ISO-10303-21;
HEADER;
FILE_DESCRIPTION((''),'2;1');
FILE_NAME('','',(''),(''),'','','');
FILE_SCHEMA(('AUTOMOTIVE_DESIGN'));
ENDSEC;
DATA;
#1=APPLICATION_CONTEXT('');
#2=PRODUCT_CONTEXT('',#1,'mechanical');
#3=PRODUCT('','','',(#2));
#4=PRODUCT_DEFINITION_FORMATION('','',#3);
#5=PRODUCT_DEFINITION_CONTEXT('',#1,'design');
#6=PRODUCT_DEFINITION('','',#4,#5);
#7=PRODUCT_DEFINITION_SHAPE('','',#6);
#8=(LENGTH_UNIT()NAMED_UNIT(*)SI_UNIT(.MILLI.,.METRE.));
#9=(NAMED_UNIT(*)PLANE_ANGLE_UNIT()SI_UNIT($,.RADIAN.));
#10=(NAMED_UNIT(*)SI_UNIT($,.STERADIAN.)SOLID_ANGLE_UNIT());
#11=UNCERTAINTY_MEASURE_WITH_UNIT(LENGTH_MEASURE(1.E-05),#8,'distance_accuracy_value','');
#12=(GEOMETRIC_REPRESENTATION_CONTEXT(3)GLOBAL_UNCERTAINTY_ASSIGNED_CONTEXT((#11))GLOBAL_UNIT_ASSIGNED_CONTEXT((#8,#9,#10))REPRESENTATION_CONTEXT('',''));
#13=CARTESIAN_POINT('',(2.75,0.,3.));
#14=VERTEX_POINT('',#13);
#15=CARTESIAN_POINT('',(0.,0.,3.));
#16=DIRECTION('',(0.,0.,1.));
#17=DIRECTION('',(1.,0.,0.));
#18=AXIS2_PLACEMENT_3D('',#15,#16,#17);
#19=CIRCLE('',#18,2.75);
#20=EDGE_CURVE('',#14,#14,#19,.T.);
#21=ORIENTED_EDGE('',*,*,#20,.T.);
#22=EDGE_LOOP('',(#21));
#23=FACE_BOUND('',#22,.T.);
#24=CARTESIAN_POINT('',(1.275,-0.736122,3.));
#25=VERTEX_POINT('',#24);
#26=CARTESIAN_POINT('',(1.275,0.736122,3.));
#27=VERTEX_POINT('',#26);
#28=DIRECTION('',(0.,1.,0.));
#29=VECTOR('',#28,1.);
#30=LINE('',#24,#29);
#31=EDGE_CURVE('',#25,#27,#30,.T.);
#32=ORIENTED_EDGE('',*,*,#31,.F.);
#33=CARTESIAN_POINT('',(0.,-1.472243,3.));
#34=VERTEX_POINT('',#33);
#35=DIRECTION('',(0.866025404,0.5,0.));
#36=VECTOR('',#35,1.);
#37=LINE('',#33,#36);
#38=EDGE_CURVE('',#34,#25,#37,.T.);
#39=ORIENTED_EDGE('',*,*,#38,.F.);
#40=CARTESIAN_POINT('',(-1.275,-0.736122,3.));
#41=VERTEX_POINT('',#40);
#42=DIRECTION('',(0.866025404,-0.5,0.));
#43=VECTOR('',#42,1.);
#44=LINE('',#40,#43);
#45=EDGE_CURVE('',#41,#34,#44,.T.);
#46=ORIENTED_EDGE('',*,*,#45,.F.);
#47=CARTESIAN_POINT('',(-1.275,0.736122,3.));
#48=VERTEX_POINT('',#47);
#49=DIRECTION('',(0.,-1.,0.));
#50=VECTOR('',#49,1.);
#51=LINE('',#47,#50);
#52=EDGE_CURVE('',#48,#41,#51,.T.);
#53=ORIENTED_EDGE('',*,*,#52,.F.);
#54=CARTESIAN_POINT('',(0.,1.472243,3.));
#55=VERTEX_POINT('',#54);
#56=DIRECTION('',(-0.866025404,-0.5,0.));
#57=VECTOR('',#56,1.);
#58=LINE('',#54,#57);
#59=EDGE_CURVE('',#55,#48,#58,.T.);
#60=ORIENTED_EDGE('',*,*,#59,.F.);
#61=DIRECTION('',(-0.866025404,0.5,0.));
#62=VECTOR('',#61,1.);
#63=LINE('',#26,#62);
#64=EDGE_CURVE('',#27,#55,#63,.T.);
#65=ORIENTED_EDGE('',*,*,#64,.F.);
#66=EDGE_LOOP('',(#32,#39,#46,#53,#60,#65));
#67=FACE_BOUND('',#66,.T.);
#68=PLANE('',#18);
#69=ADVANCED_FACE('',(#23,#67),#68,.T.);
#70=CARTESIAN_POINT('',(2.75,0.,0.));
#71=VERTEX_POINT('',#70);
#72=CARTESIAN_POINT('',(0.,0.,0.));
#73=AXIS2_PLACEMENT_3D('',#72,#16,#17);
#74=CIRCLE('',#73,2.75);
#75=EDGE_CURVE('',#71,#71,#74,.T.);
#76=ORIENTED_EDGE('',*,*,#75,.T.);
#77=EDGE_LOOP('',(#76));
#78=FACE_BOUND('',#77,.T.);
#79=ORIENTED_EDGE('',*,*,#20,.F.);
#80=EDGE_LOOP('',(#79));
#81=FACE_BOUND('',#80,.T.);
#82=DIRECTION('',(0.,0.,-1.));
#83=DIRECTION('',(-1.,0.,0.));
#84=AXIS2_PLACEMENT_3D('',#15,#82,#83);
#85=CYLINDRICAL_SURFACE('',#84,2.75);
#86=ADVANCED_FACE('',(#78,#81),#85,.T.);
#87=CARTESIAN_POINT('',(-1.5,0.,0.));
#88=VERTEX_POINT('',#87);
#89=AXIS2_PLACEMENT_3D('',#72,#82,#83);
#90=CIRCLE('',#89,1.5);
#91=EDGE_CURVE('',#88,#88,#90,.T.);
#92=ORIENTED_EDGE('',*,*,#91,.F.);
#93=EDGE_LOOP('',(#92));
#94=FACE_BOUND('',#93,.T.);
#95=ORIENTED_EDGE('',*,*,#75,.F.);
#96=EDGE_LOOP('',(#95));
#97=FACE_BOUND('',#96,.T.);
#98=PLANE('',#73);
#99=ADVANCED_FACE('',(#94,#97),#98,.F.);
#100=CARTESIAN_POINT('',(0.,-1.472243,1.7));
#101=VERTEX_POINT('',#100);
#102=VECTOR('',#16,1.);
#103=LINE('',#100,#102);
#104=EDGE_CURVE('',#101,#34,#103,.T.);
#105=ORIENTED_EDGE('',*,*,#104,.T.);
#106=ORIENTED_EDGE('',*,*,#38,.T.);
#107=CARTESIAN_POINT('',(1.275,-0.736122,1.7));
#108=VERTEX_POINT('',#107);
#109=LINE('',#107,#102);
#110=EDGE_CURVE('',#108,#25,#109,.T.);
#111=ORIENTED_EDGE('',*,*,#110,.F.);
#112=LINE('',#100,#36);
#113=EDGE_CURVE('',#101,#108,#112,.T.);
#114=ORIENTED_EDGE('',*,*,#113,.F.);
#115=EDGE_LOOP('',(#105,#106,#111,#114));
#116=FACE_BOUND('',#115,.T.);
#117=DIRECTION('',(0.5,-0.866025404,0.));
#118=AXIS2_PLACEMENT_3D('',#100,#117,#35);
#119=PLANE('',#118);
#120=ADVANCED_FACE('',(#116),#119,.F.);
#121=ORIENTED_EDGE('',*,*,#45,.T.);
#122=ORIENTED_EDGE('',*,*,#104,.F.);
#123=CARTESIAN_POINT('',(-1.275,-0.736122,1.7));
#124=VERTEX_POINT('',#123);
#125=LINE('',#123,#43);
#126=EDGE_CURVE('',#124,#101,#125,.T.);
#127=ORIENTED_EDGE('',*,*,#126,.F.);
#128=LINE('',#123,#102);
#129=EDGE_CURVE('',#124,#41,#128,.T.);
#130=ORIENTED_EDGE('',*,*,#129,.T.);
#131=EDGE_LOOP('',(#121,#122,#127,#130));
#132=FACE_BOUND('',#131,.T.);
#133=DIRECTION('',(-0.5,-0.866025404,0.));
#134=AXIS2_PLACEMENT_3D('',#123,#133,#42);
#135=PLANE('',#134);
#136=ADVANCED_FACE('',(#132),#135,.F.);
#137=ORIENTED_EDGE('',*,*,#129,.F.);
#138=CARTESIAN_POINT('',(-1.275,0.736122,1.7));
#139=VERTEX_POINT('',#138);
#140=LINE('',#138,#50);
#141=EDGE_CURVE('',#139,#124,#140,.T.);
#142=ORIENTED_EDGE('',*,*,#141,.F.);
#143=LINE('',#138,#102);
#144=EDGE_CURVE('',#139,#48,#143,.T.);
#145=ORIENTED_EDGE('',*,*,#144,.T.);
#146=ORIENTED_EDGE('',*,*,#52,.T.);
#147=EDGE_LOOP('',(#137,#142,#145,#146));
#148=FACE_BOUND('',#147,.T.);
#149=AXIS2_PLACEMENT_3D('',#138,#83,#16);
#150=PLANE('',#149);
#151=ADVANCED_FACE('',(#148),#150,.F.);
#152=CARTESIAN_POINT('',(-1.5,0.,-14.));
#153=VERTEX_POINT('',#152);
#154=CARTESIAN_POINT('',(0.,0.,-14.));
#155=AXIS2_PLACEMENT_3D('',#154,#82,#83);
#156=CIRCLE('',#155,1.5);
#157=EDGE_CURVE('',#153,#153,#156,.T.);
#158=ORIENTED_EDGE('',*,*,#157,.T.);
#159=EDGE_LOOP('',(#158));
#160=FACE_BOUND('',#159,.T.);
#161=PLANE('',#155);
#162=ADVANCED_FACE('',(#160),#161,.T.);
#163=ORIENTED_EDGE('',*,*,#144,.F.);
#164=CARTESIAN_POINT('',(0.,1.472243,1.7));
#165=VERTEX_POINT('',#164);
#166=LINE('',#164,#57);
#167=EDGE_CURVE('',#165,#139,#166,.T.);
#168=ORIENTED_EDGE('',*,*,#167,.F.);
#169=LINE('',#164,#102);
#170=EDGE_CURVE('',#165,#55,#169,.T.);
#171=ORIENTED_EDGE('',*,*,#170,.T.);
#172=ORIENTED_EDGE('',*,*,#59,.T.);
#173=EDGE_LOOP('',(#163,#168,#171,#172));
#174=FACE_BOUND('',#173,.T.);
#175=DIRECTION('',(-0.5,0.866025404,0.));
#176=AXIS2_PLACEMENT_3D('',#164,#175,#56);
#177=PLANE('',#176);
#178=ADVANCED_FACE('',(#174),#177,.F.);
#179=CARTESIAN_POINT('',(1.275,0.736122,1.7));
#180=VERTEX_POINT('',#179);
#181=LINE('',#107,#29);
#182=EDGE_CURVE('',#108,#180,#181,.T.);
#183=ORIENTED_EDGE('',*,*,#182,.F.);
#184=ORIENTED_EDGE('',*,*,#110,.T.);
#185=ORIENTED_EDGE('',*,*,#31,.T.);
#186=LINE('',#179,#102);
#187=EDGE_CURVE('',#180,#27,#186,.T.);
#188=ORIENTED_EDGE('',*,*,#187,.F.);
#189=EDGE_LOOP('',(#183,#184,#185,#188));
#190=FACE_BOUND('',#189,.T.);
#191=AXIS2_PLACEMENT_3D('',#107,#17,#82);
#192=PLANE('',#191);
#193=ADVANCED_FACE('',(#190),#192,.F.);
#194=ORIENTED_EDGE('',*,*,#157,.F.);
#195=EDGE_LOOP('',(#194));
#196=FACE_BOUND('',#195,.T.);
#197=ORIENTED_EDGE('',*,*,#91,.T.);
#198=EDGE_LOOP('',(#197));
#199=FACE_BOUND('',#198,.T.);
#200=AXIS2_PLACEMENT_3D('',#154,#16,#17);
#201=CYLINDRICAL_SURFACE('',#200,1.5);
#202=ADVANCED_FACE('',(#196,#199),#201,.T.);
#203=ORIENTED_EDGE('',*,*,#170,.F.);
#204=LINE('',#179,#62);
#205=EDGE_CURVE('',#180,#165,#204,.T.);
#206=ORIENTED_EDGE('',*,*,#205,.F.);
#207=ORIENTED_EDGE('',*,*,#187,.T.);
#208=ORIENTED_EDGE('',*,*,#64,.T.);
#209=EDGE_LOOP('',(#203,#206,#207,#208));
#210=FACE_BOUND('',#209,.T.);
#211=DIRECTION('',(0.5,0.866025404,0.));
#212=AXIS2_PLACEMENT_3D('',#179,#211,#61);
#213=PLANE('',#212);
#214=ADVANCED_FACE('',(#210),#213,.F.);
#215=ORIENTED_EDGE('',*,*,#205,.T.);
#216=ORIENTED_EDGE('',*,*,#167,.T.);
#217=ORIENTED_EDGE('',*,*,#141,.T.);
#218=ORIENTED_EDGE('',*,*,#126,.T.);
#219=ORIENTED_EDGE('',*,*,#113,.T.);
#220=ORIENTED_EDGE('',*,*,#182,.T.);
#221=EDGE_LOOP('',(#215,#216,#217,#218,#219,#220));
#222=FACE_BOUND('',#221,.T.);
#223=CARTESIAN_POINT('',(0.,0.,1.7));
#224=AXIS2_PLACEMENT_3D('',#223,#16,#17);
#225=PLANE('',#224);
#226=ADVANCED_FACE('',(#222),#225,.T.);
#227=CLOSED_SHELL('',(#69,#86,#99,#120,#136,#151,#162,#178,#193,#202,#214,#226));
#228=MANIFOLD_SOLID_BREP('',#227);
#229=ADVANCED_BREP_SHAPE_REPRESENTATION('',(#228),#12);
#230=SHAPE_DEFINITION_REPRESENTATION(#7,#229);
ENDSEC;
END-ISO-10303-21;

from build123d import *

# Parameters (mm, degrees)
SKETCH_1_R          = 2.75
EXTRUDE_1_DEPTH     = 3
CUT_EXTRUDE_1_DEPTH = 1.3
SKETCH_3_R          = 1.5
EXTRUDE_2_DEPTH     = 14


with BuildPart() as part:
    # 草图1 → 凸台-拉伸1 (new body)
    with BuildSketch(Plane.XY):
        Circle(SKETCH_1_R)
    extrude(amount=EXTRUDE_1_DEPTH)

    # 草图2 → 切除-拉伸1 (cut)
    with BuildSketch(Plane.XY.offset(3)):
        Polygon((1.275, -0.736121593), (1.275, 0.736121593), (0, 1.472243186), (-1.275, 0.736121593), (-1.275, -0.736121593), (0, -1.472243186), align=None)
    extrude(amount=-CUT_EXTRUDE_1_DEPTH, mode=Mode.SUBTRACT)

    # 草图3 → 凸台-拉伸2 (add)
    with BuildSketch(Plane(origin=(0, 0, 0), x_dir=(-1, 0, 0), z_dir=(0, 0, -1))):
        Circle(SKETCH_3_R)
    extrude(amount=EXTRUDE_2_DEPTH)


solid = part.part
